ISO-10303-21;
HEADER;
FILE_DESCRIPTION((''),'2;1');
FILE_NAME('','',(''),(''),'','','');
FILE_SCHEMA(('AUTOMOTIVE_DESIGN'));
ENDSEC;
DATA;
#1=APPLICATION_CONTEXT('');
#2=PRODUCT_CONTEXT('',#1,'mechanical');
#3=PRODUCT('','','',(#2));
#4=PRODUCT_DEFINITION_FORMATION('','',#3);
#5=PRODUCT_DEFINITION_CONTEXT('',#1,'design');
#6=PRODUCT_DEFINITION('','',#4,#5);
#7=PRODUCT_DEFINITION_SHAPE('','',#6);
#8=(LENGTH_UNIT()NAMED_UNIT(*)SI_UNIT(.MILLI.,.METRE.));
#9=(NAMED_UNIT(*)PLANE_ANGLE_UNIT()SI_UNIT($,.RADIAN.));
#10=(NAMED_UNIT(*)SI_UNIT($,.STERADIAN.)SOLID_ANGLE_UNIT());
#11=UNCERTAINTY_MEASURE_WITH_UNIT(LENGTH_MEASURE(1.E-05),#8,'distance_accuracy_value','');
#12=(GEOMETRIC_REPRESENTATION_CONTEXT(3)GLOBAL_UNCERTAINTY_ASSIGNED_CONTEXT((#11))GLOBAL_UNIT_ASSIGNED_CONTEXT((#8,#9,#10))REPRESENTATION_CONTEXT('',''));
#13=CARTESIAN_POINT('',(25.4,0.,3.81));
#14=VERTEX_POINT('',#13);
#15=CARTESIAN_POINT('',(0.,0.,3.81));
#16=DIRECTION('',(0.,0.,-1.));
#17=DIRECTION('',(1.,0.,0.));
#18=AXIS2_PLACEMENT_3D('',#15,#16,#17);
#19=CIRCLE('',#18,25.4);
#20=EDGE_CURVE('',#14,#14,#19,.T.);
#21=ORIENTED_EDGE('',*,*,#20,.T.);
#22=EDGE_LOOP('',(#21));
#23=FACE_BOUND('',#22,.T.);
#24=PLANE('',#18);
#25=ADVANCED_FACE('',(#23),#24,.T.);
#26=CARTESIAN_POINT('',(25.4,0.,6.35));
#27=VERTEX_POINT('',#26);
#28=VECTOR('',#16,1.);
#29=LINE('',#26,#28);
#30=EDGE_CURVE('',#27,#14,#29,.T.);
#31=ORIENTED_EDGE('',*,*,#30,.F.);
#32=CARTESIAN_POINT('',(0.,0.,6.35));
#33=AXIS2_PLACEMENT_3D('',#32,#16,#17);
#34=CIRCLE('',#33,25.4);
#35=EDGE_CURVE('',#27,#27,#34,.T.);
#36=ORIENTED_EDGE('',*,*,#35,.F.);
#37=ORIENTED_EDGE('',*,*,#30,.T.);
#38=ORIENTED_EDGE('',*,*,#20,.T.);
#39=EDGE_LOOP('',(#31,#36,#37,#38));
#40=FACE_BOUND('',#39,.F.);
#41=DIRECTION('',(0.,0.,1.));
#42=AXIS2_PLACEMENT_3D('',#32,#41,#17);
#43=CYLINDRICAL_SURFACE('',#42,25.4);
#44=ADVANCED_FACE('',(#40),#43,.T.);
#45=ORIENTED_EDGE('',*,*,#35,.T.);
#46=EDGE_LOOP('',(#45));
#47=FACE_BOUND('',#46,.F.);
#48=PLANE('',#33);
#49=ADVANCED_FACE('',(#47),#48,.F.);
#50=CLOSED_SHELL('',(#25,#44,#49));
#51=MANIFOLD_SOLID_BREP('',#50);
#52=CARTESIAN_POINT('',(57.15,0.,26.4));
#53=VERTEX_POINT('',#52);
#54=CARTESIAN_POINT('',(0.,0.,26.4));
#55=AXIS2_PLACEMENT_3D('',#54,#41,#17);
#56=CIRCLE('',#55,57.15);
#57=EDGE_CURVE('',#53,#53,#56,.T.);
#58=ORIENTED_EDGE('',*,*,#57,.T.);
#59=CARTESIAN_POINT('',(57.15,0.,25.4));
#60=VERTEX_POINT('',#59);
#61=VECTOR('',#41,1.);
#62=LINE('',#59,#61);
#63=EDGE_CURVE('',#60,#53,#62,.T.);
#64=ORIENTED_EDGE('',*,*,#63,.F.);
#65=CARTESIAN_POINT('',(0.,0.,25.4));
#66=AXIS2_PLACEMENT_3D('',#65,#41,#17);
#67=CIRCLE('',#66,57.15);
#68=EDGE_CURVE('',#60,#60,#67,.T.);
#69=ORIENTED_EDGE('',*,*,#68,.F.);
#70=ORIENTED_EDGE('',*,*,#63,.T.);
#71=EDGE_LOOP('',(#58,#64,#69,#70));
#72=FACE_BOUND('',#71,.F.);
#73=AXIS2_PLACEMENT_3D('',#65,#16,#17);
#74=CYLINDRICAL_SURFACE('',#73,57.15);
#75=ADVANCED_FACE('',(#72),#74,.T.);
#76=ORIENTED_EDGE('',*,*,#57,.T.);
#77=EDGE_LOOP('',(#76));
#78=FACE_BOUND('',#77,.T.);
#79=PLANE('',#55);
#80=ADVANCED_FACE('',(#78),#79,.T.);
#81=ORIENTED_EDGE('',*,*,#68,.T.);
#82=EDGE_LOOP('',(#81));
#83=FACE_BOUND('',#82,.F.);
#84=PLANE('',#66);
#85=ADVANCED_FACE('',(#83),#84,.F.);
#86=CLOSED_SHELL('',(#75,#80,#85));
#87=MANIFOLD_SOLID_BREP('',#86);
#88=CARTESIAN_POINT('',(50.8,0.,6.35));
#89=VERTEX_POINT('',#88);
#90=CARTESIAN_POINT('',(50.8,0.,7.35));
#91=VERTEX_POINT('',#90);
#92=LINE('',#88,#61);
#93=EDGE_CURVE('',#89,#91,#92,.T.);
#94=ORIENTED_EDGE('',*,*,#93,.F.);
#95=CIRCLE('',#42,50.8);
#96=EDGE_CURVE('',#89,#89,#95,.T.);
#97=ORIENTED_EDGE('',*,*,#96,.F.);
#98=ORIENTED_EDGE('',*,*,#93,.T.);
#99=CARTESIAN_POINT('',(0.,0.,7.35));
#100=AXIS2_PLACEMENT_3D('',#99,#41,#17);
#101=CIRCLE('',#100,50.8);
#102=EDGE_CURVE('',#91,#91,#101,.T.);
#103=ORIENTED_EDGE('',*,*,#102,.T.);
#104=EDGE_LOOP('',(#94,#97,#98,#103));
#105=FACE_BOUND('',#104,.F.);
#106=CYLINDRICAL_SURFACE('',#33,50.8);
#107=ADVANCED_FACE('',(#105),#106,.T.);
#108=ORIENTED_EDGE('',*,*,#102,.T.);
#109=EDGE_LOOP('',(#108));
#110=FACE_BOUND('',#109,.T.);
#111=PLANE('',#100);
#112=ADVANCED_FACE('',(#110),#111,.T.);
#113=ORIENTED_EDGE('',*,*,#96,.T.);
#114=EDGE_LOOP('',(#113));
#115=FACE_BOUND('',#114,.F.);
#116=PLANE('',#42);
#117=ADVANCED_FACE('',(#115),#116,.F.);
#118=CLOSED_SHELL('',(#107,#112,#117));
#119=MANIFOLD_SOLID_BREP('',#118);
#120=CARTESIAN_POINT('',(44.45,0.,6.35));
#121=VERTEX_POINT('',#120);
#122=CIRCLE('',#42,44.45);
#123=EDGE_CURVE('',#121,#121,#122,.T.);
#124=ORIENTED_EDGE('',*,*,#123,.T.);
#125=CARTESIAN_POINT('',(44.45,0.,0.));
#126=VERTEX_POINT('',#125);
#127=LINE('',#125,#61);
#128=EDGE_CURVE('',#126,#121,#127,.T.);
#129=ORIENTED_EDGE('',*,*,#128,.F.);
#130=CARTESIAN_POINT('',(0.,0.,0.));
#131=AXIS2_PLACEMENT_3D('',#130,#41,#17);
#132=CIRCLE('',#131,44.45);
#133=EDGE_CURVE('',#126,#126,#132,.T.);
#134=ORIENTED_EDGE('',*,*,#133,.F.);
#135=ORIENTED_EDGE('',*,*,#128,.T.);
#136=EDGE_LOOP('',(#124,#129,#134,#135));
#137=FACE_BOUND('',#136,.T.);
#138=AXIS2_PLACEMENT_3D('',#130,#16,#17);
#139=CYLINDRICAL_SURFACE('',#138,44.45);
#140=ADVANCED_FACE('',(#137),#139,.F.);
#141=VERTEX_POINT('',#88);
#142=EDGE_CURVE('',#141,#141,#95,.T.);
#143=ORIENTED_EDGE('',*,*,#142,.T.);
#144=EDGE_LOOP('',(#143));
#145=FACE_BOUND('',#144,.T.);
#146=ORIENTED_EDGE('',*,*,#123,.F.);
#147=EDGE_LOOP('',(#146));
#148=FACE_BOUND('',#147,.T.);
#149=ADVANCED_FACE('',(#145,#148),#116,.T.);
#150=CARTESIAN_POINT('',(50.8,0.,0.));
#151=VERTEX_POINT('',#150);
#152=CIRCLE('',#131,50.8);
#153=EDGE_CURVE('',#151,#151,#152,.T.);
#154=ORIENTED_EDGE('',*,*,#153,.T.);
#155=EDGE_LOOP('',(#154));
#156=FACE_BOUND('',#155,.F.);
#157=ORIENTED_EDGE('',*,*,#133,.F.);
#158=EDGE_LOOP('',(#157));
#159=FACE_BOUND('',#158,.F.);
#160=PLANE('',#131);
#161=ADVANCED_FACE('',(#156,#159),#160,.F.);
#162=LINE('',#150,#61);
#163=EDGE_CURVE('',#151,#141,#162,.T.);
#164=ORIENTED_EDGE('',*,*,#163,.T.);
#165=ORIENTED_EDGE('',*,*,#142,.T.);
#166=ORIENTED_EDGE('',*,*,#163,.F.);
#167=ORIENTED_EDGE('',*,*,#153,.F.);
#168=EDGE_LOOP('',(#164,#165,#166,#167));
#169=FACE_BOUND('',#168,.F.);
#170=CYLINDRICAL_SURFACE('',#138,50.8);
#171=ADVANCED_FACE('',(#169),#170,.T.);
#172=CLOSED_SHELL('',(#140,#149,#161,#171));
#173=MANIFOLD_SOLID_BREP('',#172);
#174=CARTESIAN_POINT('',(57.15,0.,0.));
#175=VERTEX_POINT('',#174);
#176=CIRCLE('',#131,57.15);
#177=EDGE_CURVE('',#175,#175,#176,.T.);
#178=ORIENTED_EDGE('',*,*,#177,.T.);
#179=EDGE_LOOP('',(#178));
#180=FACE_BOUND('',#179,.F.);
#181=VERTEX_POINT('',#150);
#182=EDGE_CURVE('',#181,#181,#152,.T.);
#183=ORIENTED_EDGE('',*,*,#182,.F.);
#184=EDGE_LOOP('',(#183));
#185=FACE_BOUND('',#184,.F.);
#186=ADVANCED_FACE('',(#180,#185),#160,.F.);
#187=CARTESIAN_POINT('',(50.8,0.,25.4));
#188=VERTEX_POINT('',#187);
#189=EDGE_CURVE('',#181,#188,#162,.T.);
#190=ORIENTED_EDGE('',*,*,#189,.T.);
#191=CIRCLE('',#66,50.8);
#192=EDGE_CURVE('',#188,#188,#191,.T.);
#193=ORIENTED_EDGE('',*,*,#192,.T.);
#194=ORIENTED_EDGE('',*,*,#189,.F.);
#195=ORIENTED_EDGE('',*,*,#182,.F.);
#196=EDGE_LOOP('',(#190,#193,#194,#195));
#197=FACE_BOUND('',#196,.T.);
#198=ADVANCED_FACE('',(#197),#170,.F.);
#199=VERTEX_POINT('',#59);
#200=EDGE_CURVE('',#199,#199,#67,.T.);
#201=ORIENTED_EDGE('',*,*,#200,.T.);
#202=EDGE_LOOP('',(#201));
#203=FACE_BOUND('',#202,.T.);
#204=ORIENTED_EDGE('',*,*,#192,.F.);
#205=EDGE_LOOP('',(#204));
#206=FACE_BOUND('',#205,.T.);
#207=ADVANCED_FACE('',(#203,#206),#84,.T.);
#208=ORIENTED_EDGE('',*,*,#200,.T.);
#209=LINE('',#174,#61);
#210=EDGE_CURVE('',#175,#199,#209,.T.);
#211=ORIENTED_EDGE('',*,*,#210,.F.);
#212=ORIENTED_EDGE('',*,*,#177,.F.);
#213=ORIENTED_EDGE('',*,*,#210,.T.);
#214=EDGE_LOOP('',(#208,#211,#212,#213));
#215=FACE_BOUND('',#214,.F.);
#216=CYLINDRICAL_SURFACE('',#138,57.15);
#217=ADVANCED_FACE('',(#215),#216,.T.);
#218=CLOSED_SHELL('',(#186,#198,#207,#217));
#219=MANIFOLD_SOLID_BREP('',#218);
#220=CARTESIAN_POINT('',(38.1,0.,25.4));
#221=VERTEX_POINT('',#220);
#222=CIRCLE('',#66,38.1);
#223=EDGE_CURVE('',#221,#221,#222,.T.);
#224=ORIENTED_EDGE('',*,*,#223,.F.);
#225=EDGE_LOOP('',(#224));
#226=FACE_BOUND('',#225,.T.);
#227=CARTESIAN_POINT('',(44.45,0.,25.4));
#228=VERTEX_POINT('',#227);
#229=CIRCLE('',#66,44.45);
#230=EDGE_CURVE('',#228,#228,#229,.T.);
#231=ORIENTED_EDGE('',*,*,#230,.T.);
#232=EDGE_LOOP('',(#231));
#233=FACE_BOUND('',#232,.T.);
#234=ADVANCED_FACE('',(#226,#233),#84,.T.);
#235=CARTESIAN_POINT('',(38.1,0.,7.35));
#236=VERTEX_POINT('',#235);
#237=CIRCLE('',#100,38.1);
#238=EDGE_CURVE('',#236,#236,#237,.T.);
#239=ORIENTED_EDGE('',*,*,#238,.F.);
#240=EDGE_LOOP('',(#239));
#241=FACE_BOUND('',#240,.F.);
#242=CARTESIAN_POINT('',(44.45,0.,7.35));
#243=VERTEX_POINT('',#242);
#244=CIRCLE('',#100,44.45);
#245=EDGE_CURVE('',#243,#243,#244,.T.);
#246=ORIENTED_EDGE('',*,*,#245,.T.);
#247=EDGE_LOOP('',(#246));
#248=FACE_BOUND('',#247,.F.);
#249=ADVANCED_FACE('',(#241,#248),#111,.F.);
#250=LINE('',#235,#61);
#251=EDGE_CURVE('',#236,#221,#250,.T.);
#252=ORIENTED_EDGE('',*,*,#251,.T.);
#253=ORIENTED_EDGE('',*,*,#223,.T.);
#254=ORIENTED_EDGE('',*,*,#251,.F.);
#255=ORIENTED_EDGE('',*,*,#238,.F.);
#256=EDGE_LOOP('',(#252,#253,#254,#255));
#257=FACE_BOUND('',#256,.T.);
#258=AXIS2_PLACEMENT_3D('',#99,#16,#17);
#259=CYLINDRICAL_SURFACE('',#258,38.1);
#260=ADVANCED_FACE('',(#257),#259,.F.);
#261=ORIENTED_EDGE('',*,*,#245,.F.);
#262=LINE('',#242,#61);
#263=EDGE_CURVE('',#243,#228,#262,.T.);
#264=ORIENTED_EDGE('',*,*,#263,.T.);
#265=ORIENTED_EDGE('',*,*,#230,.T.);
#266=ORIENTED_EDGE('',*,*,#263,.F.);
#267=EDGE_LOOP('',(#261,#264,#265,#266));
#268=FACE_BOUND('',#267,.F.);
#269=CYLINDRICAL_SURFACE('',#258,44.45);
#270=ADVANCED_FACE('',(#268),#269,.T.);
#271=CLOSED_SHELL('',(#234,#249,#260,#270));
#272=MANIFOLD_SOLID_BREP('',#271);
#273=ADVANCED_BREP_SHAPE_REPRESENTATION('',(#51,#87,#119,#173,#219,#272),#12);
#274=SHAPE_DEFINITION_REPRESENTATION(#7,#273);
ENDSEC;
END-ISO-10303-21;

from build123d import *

# Parameters (mm, degrees)
F0_R      = 50.8
F0_R_2    = 44.45
F1_DEPTH  = 6.35
F2_R      = 57.15
F2_R_2    = 50.8
F3_DEPTH  = 25.4
F4_R      = 50.8
F5_DEPTH  = 1
F6_R      = 44.45
F6_R_2    = 38.1
F7_DEPTH  = 18.05
F8_R      = 57.15
F9_DEPTH  = 1
F10_R     = 25.4
F11_DEPTH = 2.54


with BuildPart() as f1:
    # F0 (on Top) → F1 (new body)
    with BuildSketch(Plane.XY):
        Circle(F0_R)
        Circle(F0_R_2, mode=Mode.SUBTRACT)
    extrude(amount=F1_DEPTH)


with BuildPart() as f3:
    # F2 (on Top) → F3 (new body)
    with BuildSketch(Plane.XY):
        Circle(F2_R)
        Circle(F2_R_2, mode=Mode.SUBTRACT)
    extrude(amount=F3_DEPTH)


with BuildPart() as f5:
    # F4 (on face) → F5 (new body)
    with BuildSketch(Plane.XY.offset(6.35)):
        Circle(F4_R)
    extrude(amount=F5_DEPTH)


with BuildPart() as f7:
    # F6 (on face) → F7 (new body)
    with BuildSketch(Plane.XY.offset(7.35)):
        Circle(F6_R)
        Circle(F6_R_2, mode=Mode.SUBTRACT)
    extrude(amount=F7_DEPTH)


with BuildPart() as f9:
    # F8 (on face) → F9 (new body)
    with BuildSketch(Plane.XY.offset(25.4)):
        Circle(F8_R)
    extrude(amount=F9_DEPTH)


with BuildPart() as f11:
    # F10 (on face) → F11 (new body)
    with BuildSketch(Plane(origin=(0, 0, 6.35), x_dir=(1, 0, 0), z_dir=(0, 0, -1))):
        Circle(F10_R)
    extrude(amount=F11_DEPTH)


solid = Compound([f1.part, f3.part, f5.part, f7.part, f9.part, f11.part])
